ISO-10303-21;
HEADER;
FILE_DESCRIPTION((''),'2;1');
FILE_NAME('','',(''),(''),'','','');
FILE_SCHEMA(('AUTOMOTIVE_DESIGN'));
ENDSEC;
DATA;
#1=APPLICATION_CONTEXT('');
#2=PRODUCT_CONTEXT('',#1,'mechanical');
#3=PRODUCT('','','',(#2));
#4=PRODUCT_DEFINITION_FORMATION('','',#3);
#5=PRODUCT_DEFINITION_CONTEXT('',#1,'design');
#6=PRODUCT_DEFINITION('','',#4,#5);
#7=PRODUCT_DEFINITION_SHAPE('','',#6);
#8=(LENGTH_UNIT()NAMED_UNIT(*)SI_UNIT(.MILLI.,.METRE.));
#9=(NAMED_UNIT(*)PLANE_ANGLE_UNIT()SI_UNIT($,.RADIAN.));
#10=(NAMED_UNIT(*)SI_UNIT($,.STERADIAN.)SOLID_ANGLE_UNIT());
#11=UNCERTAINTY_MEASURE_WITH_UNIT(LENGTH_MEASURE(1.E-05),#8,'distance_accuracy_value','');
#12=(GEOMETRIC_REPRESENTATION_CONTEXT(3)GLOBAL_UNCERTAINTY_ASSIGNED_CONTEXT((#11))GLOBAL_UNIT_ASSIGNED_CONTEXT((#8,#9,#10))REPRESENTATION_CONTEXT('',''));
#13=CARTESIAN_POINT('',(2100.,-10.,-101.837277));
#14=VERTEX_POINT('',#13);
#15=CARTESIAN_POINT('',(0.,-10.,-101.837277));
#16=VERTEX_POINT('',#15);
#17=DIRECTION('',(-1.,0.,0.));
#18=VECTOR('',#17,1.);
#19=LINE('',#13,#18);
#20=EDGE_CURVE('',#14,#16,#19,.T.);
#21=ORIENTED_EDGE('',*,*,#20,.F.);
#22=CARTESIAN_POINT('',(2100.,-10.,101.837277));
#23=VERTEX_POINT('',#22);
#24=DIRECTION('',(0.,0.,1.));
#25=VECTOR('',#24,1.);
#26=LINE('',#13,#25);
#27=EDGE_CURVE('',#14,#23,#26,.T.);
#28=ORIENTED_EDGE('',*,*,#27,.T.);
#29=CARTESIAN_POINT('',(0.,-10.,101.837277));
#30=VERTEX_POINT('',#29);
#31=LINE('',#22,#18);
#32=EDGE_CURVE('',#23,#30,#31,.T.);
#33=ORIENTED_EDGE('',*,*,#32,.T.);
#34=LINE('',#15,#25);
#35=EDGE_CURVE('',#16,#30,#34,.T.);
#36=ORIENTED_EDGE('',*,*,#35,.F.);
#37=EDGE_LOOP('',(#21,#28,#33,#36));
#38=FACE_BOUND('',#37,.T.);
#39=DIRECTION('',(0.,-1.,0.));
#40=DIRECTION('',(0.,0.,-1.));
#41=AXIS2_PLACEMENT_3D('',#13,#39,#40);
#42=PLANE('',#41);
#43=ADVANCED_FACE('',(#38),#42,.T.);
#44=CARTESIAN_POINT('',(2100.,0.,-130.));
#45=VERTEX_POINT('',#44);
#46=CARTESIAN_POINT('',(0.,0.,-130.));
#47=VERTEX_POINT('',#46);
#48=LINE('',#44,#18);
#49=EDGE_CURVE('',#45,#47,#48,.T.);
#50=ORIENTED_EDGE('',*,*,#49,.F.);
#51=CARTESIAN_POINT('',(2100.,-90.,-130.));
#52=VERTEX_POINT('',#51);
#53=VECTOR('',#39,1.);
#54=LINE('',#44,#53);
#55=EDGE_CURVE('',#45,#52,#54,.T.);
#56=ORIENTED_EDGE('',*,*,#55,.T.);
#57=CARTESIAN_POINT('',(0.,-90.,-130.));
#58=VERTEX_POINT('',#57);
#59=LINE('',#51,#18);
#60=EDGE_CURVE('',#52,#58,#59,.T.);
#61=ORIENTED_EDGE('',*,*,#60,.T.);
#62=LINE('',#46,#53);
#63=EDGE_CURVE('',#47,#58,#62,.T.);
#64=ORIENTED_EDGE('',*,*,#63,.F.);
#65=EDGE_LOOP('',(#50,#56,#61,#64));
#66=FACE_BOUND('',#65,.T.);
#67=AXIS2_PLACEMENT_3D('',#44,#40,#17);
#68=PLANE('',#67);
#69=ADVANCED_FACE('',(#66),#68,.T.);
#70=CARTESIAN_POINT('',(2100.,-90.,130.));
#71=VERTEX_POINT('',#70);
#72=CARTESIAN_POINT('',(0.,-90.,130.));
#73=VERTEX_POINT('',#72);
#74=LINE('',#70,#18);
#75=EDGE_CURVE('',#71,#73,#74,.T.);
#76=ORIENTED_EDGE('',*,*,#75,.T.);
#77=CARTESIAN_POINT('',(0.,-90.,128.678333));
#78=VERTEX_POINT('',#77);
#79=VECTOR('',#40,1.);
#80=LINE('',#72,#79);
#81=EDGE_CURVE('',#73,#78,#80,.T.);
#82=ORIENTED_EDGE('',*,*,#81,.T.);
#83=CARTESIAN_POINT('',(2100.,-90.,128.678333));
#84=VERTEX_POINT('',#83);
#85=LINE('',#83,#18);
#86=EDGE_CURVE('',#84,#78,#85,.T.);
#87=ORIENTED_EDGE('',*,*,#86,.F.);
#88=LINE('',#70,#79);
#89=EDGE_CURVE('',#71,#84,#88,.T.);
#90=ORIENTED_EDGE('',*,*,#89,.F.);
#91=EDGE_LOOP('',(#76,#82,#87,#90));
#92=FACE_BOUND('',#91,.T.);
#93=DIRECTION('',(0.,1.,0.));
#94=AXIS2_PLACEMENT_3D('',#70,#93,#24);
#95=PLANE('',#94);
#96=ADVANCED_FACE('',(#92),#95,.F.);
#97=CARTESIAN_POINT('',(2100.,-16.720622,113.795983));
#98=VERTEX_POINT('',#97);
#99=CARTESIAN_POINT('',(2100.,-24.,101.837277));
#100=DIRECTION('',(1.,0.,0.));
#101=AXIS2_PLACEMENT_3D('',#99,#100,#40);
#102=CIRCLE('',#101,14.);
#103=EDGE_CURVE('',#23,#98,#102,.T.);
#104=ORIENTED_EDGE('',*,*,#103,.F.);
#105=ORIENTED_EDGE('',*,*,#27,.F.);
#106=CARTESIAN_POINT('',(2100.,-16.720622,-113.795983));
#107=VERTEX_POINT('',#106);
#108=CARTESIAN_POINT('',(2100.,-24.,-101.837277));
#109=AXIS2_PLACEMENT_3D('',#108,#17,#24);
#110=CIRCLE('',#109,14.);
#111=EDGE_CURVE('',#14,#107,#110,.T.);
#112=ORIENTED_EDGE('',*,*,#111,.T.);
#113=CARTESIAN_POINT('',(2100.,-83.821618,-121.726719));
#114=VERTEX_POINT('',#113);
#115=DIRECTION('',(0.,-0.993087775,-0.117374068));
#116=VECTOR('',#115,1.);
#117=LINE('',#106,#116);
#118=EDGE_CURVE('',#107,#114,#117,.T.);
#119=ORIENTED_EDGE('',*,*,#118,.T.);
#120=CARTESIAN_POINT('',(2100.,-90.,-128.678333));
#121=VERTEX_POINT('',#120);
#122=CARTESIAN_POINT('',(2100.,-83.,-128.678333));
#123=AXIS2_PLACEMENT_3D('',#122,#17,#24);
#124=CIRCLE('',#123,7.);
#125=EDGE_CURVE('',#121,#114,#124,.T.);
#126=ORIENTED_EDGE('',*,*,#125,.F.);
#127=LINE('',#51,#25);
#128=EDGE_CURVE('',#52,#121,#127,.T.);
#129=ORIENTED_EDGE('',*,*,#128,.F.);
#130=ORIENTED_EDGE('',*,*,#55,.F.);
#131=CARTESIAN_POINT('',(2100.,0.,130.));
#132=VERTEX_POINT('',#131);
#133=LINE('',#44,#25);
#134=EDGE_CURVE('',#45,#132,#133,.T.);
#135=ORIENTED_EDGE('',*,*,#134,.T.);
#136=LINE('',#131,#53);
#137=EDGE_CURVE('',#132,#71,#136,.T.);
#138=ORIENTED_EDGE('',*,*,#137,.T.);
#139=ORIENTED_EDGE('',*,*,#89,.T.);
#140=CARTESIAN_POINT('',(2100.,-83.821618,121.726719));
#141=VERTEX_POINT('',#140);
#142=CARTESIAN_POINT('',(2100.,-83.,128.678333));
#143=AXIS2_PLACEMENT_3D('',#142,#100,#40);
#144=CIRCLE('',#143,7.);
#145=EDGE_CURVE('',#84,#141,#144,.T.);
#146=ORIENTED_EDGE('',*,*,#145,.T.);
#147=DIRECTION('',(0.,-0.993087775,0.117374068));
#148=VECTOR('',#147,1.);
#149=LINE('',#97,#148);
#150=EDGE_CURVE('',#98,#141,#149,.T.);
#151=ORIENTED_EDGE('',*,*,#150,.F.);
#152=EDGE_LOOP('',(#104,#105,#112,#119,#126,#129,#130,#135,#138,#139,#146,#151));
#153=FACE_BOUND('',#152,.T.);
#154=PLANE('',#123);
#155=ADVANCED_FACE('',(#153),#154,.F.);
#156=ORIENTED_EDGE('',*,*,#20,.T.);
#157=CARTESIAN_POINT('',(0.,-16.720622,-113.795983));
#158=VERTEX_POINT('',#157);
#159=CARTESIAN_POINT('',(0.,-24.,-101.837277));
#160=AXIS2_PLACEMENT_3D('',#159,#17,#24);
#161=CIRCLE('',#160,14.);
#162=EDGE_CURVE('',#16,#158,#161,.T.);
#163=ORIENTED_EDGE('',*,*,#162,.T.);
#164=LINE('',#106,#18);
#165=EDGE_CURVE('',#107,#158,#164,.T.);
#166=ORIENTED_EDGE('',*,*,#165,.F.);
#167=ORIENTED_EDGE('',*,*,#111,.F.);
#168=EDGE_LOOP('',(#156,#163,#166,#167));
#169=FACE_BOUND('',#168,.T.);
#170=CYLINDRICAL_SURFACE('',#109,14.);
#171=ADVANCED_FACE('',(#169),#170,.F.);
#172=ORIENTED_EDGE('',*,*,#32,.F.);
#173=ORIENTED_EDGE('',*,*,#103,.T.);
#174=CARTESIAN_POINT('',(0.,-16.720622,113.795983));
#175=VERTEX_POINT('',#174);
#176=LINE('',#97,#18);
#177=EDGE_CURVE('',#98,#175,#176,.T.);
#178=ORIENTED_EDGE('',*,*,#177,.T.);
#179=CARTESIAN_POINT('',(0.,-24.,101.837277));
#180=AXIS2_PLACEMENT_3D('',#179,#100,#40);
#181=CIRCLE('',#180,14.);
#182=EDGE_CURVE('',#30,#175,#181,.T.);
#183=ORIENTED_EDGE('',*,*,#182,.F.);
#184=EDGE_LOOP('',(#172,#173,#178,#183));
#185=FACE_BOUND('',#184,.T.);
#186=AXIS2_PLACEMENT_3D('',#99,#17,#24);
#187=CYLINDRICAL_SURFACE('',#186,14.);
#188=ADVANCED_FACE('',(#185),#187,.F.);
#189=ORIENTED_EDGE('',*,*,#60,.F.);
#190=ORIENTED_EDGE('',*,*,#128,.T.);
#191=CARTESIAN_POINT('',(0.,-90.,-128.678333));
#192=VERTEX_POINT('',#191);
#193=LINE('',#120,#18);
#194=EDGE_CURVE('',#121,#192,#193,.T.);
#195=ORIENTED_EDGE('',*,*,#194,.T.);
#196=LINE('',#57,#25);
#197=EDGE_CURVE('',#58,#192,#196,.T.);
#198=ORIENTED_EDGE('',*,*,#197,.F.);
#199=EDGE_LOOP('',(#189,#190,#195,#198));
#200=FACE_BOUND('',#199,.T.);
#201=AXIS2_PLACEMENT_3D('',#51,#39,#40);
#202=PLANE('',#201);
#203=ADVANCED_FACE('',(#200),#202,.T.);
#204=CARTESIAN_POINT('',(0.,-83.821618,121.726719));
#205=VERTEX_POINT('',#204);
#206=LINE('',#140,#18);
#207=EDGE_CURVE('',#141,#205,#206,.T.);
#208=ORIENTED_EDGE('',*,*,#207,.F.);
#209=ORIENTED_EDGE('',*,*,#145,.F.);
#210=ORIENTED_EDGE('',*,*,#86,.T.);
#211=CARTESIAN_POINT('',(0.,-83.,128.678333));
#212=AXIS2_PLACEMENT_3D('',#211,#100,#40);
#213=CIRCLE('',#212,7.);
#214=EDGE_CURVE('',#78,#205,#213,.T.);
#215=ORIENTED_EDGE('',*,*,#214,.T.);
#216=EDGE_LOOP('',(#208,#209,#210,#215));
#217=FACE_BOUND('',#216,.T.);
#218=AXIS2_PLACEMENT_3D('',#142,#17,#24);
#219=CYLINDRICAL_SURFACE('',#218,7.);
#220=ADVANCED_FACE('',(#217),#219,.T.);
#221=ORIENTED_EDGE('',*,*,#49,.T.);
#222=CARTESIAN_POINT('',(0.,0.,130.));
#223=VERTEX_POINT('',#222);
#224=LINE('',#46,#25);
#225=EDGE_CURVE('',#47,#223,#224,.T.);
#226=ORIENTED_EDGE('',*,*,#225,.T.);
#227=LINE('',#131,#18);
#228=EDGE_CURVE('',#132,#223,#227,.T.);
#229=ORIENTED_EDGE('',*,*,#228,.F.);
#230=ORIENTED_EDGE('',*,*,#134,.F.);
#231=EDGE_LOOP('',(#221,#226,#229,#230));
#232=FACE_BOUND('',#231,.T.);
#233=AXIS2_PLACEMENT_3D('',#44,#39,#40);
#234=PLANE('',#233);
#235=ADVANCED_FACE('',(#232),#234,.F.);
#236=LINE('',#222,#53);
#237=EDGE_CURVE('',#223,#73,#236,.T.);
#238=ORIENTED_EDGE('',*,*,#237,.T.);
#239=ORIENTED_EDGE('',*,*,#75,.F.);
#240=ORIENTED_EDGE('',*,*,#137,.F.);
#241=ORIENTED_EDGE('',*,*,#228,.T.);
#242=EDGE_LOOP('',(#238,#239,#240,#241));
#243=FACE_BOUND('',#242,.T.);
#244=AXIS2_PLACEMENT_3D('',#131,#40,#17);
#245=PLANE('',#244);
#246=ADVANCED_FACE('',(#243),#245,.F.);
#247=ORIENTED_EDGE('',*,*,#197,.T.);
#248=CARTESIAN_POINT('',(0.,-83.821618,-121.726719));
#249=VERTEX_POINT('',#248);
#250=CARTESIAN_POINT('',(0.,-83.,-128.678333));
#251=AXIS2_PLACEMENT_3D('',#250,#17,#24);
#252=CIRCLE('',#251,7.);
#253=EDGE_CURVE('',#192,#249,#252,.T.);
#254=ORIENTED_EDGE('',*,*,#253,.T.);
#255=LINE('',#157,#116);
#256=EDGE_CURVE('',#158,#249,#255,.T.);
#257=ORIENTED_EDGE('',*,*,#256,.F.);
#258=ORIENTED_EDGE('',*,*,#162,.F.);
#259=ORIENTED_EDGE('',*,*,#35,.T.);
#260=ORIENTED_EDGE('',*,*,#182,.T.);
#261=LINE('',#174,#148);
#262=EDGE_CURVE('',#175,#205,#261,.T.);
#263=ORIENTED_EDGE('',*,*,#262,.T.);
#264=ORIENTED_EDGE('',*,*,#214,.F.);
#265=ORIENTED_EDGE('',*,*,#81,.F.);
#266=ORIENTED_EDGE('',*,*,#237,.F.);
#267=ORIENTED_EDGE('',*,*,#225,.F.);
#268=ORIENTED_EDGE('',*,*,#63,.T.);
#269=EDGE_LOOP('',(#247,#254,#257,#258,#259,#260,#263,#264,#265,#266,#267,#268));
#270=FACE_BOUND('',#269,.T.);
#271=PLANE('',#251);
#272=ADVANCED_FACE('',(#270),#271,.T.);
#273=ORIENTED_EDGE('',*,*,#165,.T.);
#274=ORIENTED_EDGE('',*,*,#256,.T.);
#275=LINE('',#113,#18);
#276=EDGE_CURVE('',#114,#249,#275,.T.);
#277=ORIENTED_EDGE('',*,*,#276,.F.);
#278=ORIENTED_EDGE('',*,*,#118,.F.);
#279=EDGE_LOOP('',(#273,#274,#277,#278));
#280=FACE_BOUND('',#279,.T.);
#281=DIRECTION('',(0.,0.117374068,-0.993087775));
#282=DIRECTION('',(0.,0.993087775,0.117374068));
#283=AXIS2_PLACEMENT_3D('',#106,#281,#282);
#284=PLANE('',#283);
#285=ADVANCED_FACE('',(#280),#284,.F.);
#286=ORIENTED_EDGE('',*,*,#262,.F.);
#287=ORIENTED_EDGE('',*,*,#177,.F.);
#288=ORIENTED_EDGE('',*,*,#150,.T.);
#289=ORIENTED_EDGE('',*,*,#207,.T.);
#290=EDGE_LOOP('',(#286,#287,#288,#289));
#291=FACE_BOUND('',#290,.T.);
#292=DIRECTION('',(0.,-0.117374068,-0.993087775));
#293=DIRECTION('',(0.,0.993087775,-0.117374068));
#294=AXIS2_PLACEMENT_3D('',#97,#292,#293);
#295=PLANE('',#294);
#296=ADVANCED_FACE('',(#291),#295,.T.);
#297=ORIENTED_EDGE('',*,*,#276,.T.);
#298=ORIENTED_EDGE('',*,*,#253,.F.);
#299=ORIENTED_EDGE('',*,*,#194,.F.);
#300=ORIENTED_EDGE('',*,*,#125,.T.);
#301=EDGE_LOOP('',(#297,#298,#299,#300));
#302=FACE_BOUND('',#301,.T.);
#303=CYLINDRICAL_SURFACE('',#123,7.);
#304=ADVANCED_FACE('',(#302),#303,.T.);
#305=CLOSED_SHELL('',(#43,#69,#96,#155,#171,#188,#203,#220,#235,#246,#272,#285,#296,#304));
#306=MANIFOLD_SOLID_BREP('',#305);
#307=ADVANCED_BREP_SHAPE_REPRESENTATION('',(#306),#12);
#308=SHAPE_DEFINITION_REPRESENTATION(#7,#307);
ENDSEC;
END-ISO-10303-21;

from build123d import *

# Parameters (mm, degrees)
EXTRUDE_2_DEPTH = 2100


with BuildPart() as part:
    # Эскиз2 → Бобышка-Вытянуть2 (new body)
    with BuildSketch(Plane(origin=(0, 0, 0), x_dir=(0, 0, -1), z_dir=(1, 0, 0))):
        with BuildLine():
            Line((130, 0), (-130, 0))
            Line((-130, 0), (-130, -90))
            Line((-130, -90), (-128.678333405, -90))
            ThreePointArc((-128.678333405, -90), (-124.028136062, -88.232175902), (-121.726718983, -83.821618477))
            Line((-121.726718983, -83.821618477), (-113.795983048, -16.720622289))
            ThreePointArc((-113.795983048, -16.720622289), (-108.696165424, -11.795261413), (-101.83727659, -10))
            Line((-101.83727659, -10), (101.83727659, -10))
            ThreePointArc((101.83727659, -10), (108.696165424, -11.795261413), (113.795983048, -16.720622289))
            Line((113.795983048, -16.720622289), (121.726718983, -83.821618477))
            ThreePointArc((121.726718983, -83.821618477), (124.028136062, -88.232175902), (128.678333405, -90))
            Line((128.678333405, -90), (130, -90))
            Line((130, -90), (130, 0))
        make_face()
    extrude(amount=EXTRUDE_2_DEPTH)


solid = part.part
